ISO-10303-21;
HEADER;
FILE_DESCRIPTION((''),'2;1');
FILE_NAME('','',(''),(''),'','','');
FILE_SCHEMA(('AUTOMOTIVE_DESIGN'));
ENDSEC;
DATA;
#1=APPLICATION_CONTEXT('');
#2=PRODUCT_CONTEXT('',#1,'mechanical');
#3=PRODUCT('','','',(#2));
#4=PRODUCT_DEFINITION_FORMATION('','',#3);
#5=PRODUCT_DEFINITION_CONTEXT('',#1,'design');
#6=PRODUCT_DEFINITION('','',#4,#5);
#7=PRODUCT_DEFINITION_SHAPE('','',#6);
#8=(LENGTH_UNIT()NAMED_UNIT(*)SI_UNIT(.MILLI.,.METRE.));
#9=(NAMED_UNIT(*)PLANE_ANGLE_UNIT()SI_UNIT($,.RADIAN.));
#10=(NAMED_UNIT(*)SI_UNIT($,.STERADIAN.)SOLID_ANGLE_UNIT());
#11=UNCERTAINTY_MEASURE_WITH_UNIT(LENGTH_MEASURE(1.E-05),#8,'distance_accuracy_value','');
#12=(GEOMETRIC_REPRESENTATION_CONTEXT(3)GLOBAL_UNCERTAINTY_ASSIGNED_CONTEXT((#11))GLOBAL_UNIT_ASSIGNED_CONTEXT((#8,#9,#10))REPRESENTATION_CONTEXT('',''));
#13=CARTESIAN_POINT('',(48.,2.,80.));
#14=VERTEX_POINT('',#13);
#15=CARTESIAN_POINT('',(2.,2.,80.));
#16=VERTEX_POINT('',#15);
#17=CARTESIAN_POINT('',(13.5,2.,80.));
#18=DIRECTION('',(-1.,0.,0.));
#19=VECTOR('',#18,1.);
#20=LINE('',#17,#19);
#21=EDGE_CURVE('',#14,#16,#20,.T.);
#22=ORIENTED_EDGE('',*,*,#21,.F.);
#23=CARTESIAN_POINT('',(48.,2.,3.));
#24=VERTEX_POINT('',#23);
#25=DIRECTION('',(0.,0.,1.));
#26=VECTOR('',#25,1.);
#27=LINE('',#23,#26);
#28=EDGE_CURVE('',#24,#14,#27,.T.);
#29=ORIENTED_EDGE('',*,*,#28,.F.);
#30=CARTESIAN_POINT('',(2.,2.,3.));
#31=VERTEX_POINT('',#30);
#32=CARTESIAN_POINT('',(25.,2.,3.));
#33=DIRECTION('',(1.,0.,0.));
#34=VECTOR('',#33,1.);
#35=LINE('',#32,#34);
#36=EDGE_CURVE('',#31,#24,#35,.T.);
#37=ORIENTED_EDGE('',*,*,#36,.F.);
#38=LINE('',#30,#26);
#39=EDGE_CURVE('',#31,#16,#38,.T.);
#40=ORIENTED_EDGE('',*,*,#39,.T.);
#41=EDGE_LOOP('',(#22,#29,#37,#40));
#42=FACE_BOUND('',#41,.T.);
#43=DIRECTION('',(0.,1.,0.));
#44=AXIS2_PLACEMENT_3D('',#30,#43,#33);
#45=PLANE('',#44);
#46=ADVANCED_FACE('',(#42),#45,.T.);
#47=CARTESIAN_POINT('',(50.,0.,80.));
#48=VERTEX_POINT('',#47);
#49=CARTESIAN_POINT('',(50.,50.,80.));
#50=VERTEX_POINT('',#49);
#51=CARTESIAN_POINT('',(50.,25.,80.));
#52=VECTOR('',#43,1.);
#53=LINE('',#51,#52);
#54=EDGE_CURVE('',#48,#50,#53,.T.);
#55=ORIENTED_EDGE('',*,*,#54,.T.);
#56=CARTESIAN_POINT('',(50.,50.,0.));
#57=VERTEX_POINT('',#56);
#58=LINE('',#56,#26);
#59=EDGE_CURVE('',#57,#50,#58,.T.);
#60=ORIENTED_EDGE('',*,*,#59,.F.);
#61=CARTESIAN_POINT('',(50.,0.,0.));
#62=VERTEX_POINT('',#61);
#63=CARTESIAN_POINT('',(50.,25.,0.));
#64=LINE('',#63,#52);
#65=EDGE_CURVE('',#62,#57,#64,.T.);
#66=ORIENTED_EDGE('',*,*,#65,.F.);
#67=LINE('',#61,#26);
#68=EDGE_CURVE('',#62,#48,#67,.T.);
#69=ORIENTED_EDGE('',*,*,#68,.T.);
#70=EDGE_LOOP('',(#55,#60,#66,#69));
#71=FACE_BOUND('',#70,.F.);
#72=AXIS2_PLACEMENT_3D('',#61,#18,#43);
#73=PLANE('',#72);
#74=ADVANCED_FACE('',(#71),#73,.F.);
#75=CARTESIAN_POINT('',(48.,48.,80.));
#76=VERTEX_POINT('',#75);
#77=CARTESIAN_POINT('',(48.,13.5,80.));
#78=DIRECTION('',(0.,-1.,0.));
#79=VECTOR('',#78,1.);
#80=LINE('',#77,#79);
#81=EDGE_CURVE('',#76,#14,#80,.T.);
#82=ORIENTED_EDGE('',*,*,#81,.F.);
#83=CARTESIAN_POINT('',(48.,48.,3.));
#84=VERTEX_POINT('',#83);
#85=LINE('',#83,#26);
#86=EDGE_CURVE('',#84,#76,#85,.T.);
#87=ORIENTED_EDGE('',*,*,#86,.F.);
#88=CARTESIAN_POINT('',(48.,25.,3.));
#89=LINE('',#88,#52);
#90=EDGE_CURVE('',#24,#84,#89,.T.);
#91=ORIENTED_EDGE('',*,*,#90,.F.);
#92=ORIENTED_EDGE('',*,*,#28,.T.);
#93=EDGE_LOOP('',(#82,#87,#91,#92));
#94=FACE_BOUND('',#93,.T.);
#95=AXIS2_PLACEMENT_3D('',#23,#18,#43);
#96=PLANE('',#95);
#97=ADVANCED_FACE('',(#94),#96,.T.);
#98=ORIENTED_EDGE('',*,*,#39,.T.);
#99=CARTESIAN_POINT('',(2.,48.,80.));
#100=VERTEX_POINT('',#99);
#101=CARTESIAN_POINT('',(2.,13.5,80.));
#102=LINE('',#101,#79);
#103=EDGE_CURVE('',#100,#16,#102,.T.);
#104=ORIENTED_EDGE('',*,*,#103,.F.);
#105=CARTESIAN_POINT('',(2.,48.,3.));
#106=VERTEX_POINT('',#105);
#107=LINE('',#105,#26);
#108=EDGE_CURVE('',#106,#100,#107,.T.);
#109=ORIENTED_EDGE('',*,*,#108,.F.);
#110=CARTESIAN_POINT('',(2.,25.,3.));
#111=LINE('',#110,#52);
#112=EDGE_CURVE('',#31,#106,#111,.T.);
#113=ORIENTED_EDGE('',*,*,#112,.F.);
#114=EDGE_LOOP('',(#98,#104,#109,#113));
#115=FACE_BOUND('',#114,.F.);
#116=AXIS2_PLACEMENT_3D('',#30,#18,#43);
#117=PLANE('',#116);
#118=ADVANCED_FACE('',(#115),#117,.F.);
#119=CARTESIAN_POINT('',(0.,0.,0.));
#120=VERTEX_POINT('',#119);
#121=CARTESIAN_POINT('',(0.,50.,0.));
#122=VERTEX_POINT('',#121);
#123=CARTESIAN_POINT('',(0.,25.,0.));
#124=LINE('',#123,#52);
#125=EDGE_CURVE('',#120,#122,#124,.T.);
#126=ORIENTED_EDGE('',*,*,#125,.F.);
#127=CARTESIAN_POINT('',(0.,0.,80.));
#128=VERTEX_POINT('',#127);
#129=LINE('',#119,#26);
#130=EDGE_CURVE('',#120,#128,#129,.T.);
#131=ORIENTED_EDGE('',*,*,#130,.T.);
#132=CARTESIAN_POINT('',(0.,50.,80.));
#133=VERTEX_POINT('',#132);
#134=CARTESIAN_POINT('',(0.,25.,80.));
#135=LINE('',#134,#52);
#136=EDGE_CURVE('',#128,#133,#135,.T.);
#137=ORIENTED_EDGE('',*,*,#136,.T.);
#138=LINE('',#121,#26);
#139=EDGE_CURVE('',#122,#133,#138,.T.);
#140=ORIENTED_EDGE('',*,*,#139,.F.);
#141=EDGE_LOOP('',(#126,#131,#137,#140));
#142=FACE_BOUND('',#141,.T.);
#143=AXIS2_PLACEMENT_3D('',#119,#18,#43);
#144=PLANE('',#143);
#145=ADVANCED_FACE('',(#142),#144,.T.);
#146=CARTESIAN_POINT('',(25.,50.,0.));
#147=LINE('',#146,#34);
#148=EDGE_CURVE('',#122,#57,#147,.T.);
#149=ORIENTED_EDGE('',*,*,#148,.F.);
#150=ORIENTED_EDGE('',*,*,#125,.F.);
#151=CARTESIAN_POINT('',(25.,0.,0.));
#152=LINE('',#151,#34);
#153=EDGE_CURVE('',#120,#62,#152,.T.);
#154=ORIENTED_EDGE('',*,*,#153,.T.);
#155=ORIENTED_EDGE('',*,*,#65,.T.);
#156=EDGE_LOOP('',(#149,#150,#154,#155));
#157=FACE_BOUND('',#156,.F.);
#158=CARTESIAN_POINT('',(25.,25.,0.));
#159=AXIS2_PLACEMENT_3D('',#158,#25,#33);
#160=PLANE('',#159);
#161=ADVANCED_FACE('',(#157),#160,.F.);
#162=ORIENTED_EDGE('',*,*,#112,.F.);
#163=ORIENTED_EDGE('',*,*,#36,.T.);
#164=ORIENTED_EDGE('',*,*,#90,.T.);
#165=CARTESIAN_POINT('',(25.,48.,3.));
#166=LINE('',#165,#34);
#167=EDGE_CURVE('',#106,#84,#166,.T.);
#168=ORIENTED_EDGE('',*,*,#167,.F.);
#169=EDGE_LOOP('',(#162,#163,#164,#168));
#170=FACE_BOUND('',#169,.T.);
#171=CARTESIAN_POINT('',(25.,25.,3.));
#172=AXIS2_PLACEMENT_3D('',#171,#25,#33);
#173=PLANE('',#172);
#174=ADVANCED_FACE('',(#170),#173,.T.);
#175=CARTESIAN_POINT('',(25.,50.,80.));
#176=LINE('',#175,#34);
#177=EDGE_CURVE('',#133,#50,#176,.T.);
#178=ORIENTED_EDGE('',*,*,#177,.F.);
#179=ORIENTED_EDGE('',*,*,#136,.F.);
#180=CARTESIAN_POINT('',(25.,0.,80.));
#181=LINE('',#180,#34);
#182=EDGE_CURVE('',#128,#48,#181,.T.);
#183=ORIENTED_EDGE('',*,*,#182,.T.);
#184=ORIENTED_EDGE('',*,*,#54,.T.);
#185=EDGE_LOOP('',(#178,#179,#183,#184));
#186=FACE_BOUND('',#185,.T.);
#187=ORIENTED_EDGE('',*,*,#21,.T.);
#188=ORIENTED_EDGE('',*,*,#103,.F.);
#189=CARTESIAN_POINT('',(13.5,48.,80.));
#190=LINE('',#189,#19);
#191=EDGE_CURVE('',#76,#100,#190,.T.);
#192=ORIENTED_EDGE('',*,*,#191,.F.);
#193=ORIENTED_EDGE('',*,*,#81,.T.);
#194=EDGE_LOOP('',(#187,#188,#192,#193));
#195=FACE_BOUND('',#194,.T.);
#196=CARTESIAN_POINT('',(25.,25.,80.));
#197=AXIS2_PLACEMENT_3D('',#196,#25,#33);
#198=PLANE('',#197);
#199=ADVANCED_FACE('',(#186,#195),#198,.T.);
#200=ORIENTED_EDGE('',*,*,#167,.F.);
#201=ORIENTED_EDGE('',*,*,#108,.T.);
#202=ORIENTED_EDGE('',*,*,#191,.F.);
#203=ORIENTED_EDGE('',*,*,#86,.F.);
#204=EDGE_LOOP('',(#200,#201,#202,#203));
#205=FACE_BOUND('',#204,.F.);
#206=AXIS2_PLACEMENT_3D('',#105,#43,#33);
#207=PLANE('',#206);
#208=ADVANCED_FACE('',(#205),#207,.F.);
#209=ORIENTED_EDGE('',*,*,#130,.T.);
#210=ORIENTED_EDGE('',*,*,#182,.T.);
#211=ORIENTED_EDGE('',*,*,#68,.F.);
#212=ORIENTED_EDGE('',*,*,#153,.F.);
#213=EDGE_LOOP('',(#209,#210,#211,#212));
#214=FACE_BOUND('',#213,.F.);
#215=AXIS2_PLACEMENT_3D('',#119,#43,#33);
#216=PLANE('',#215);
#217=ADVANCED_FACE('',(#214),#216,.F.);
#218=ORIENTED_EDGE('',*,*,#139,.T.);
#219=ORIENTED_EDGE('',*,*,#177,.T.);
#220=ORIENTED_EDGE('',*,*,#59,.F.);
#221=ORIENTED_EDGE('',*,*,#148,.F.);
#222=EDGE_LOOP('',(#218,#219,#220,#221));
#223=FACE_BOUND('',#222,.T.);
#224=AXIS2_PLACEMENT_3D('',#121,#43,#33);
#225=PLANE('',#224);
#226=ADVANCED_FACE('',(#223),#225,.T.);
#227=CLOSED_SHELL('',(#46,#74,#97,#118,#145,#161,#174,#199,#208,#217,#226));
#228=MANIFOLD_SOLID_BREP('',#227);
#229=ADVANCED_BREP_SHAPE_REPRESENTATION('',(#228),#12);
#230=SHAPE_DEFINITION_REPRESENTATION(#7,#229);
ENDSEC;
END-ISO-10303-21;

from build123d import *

# Parameters (mm, degrees)
BOX001_W     = 46
BOX001_H     = 46
BOX001_DEPTH = 80
BOX_W        = 50
BOX_H        = 50
BOX_DEPTH    = 80


with BuildPart() as interior:
    # Box001 → Box001 (new body)
    with BuildSketch(Plane(origin=(2, 2, 3), x_dir=(1, 0, 0), z_dir=(0, 0, 1))):
        with Locations((23, 23)):
            Rectangle(BOX001_W, BOX001_H)
    extrude(amount=BOX001_DEPTH)


with BuildPart() as portallapis:
    # Box → Box (new body)
    with BuildSketch(Plane.XY):
        with Locations((25, 25)):
            Rectangle(BOX_W, BOX_H)
    extrude(amount=BOX_DEPTH)

    # Cut: cut Interior
    add(interior.part, mode=Mode.SUBTRACT)


solid = portallapis.part
